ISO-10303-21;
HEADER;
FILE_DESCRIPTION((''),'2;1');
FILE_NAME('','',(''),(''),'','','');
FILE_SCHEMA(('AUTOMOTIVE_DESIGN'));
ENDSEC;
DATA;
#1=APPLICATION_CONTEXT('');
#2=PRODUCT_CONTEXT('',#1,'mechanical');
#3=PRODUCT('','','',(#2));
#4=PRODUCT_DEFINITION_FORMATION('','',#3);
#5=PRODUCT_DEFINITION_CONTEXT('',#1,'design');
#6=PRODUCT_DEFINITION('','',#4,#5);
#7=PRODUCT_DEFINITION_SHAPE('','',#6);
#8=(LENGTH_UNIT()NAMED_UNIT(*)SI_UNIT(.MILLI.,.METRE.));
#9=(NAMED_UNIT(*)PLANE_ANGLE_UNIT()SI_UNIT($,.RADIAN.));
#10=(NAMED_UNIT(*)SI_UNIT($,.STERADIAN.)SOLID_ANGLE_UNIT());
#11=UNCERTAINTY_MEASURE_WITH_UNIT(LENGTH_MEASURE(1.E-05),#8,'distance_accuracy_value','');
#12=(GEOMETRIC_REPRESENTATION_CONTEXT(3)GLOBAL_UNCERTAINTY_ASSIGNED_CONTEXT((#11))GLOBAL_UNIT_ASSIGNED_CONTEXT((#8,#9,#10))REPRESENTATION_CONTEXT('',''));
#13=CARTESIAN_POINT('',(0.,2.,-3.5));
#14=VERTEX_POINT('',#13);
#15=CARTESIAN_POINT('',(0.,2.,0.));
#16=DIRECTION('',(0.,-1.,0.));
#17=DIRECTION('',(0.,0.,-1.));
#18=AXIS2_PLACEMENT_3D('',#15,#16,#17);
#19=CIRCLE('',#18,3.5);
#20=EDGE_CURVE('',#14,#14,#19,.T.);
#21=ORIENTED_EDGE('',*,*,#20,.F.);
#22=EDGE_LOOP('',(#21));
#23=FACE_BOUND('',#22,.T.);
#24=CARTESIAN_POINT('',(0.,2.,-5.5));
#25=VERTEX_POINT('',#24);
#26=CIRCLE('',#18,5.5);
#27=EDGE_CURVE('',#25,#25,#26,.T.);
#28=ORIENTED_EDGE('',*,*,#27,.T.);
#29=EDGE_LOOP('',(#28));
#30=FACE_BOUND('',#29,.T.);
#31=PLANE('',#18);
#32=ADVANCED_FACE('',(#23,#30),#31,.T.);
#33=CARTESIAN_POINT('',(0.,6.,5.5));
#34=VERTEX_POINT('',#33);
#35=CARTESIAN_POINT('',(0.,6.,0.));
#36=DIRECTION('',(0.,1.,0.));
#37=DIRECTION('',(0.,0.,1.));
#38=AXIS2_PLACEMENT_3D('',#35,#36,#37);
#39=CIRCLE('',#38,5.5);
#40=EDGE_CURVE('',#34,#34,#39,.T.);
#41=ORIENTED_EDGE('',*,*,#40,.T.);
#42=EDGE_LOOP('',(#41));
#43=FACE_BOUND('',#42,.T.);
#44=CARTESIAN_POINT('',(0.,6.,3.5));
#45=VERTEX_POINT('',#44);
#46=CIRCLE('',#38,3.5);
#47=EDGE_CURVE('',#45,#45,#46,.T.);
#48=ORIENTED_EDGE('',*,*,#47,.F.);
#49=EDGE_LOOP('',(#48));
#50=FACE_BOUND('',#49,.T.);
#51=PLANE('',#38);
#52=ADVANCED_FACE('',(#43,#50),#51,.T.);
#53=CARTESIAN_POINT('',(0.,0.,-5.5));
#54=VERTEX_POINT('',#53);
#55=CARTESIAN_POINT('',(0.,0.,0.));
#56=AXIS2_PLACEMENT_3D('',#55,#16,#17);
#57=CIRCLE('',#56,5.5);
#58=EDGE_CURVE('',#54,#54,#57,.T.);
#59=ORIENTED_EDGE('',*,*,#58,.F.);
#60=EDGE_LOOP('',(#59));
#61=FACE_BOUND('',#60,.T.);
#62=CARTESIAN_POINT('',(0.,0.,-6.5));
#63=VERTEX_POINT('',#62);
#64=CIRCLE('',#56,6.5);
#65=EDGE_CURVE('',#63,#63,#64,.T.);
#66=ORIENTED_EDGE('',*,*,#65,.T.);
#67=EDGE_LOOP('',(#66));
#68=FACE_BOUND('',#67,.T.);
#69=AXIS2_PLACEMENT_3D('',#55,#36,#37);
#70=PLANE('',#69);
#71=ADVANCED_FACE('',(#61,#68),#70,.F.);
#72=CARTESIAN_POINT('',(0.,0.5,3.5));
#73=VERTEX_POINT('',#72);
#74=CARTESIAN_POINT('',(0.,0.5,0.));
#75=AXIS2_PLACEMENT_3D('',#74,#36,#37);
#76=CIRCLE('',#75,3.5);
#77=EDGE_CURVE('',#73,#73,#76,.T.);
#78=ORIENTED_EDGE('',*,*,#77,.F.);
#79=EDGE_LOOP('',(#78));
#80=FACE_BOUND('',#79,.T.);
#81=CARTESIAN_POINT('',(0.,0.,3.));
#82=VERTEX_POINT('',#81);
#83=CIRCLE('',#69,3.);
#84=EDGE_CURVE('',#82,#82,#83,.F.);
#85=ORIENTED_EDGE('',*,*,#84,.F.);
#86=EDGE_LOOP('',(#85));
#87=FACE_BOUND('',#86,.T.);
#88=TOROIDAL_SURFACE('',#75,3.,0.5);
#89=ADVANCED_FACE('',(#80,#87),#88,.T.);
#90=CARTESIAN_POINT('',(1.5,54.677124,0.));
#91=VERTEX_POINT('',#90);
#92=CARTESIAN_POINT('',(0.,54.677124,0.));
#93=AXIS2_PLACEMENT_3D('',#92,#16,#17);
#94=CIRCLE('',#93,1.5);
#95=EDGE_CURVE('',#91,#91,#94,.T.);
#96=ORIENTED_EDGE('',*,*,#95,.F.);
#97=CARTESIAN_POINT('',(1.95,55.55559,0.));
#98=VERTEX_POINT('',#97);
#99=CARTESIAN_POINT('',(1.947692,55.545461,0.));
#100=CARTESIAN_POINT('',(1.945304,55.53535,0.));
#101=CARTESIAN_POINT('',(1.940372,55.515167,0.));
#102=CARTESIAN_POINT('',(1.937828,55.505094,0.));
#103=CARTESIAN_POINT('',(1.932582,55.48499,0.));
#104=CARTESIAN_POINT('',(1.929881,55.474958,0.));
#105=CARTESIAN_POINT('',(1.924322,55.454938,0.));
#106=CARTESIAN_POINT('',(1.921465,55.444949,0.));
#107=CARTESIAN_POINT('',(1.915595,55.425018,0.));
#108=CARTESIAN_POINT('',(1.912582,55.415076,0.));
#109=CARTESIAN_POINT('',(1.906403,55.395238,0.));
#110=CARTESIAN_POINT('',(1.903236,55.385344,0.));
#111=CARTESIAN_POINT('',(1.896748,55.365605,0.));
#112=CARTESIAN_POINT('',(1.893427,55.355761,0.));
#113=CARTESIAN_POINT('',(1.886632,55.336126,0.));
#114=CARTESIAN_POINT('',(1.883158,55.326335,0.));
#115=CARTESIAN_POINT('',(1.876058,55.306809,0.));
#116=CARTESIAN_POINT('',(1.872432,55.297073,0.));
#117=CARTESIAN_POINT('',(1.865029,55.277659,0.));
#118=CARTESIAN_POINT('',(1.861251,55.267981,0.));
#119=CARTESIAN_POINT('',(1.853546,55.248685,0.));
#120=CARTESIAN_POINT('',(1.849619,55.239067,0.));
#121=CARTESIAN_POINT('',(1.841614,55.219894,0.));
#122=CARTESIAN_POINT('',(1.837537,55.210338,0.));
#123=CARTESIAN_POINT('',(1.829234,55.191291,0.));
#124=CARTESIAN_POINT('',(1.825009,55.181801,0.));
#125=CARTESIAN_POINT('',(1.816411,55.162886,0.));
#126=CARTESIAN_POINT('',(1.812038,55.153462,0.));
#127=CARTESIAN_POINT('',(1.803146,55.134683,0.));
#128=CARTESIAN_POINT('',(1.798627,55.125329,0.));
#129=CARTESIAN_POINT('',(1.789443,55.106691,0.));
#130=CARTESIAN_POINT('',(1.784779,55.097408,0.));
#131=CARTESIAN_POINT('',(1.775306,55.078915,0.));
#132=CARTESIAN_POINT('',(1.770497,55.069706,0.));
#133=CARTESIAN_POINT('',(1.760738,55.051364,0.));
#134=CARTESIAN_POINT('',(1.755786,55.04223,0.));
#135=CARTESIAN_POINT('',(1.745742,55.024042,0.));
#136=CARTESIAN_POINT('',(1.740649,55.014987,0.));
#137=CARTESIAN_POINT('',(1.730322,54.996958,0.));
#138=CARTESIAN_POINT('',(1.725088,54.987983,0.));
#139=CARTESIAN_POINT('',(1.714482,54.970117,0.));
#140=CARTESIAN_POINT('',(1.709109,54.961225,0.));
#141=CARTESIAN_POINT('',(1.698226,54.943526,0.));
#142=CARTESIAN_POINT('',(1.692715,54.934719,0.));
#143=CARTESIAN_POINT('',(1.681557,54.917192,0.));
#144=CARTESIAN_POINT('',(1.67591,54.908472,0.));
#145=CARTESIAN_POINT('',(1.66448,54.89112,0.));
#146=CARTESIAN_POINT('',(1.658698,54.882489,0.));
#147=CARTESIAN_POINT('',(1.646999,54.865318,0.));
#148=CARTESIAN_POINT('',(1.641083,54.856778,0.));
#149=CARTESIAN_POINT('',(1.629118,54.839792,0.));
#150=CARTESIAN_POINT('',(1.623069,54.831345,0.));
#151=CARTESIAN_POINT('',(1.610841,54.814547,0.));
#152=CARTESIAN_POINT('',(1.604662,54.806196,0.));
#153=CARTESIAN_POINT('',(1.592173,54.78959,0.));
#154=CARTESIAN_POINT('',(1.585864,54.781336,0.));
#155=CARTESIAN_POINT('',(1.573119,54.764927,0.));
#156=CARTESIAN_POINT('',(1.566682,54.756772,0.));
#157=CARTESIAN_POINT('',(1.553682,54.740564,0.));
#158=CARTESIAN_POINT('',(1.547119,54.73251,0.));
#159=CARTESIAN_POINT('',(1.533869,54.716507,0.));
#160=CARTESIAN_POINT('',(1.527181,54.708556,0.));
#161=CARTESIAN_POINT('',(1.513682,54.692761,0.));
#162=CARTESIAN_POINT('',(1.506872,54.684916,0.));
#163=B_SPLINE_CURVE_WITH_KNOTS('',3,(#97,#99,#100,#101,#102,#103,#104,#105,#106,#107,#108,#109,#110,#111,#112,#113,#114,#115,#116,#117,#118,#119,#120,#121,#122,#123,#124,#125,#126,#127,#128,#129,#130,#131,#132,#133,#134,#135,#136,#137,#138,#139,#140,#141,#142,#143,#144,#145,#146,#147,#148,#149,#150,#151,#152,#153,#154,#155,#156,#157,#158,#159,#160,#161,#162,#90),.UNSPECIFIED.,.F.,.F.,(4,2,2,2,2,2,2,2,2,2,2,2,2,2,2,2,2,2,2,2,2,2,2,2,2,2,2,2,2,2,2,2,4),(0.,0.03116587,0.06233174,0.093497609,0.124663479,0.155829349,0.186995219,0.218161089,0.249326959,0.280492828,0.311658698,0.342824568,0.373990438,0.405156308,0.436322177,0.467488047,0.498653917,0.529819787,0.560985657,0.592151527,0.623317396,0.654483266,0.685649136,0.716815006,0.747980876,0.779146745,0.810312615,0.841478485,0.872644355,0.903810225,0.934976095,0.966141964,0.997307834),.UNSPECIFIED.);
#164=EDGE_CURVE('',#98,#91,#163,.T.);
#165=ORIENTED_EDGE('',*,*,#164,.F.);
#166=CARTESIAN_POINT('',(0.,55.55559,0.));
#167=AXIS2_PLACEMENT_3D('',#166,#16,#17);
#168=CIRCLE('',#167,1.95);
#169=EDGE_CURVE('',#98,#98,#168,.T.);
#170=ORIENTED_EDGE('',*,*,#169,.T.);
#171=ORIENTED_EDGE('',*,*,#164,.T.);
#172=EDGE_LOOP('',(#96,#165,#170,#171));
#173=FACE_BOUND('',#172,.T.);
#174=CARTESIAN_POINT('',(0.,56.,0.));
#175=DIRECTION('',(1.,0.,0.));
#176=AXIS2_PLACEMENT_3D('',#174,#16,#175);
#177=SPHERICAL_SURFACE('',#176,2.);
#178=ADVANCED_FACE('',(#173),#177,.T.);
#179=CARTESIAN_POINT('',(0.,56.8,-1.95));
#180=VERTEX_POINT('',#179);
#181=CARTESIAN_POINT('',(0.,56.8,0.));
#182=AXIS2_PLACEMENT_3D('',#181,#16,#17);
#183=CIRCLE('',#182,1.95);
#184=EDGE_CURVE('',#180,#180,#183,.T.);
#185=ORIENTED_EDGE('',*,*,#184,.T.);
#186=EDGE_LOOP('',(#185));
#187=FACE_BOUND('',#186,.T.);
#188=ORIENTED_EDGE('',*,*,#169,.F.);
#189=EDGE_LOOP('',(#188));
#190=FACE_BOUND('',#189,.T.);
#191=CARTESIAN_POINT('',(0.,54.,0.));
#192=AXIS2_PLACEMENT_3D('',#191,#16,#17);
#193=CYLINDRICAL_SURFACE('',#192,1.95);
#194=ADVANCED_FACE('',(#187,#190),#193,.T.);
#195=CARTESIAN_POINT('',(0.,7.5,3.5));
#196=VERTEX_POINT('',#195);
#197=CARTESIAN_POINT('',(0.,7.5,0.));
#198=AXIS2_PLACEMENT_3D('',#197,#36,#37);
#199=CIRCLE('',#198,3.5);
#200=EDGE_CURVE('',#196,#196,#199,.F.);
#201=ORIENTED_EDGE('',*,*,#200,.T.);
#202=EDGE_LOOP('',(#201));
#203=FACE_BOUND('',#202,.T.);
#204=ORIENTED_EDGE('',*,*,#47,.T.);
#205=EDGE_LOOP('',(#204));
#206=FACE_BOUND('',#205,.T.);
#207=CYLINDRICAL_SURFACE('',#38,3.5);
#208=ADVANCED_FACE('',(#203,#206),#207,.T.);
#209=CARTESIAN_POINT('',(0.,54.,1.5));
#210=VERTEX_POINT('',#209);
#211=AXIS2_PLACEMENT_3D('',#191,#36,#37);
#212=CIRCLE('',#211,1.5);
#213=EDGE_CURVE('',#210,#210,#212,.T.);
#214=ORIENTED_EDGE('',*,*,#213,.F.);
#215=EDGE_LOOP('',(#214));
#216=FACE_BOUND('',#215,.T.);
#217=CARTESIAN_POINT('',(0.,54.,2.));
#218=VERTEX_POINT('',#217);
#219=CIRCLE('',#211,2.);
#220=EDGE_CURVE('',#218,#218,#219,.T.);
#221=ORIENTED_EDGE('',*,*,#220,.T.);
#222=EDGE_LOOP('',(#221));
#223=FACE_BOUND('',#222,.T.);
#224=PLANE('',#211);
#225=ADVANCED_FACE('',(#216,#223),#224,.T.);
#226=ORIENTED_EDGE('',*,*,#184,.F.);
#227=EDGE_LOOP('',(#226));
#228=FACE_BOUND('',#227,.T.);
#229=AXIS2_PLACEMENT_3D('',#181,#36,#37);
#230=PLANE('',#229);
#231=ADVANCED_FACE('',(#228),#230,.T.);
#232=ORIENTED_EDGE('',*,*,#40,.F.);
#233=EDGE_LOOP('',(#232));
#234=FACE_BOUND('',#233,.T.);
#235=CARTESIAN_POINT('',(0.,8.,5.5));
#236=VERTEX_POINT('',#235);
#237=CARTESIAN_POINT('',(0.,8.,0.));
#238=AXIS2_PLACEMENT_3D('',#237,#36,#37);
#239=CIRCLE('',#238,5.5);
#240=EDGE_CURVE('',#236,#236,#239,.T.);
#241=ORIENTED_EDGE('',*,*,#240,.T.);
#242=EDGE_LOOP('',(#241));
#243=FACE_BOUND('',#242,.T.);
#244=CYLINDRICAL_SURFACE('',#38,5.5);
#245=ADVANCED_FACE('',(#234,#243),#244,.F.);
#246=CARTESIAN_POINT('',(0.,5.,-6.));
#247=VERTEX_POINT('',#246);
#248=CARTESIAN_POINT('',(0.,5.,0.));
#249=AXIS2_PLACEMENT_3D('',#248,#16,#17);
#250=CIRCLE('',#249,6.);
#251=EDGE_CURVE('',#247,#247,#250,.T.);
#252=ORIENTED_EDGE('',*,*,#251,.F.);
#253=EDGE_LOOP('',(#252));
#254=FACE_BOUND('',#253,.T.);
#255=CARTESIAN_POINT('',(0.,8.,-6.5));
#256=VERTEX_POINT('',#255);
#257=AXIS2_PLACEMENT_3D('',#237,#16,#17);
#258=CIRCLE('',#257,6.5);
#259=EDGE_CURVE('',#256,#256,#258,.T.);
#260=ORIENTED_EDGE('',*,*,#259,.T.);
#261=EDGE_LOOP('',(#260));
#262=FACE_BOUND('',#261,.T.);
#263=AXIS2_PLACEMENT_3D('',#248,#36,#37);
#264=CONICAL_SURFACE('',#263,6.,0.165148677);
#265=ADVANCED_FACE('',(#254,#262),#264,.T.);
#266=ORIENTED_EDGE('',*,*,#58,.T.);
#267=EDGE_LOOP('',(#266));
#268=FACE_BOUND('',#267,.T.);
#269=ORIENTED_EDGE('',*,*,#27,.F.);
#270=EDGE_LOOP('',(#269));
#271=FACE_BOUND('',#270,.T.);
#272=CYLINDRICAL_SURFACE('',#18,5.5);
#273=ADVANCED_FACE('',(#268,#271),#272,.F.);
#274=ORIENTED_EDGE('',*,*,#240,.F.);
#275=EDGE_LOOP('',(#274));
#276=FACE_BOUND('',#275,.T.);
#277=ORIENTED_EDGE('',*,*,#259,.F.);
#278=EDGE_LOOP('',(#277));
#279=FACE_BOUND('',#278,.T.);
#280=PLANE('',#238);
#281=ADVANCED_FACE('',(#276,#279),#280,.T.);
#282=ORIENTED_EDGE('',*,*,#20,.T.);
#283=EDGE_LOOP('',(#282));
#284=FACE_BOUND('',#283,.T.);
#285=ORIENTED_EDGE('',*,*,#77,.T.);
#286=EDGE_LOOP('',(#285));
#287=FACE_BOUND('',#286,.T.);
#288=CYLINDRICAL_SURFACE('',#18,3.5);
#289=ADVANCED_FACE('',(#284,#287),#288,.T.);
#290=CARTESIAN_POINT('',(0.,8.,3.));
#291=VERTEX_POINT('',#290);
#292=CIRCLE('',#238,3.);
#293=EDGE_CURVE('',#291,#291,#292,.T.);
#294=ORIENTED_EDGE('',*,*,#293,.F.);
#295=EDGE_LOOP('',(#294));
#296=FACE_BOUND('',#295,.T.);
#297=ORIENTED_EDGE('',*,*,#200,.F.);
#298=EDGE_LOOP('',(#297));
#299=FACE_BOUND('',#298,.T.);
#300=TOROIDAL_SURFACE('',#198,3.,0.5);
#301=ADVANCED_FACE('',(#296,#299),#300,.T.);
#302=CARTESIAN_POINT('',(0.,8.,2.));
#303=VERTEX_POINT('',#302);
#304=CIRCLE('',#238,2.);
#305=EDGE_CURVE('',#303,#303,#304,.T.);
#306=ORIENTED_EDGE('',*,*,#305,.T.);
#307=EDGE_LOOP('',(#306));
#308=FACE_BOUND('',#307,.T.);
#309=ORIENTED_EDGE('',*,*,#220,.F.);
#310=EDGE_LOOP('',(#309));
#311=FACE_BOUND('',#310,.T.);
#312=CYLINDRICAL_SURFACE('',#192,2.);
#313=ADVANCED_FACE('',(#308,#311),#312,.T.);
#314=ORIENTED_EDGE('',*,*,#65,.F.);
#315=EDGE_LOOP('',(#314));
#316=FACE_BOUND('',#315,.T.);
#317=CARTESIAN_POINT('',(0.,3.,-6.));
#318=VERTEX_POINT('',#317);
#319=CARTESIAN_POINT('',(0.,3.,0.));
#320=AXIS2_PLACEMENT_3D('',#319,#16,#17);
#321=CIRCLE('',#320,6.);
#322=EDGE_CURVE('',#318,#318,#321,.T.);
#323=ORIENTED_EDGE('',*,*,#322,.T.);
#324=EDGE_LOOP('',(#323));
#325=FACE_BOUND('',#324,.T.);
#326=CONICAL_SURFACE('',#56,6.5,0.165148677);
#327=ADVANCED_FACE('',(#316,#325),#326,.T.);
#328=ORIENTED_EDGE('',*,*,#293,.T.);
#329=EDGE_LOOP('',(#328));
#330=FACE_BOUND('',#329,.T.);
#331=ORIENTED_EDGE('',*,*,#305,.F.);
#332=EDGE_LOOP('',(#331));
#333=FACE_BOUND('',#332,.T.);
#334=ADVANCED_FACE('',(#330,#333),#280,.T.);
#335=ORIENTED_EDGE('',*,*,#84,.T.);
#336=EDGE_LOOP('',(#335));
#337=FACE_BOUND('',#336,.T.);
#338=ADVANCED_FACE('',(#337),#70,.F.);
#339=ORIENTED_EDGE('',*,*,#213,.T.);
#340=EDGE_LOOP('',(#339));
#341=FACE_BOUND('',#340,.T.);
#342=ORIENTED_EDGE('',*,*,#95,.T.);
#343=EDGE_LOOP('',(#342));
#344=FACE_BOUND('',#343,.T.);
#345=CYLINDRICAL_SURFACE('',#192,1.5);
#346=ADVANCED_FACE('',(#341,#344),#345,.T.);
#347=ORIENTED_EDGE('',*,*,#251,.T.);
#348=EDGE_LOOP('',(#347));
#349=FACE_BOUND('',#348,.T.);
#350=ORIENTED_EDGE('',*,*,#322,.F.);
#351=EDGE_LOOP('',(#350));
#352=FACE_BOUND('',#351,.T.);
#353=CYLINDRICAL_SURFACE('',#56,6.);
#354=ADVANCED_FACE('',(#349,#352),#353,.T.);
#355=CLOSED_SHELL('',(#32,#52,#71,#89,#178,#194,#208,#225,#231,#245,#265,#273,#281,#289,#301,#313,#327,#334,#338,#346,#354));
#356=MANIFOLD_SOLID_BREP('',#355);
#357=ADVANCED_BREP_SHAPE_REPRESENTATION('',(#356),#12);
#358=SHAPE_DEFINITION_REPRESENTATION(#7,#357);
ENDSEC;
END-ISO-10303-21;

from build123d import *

# Parameters (mm, degrees)
SKETCH_1_R          = 6.5
EXTRUDE_1_DEPTH     = 8
SKETCH_2_R          = 2
EXTRUDE_2_DEPTH     = 46
SKETCH_6_R          = 5.5
SKETCH_6_R_2        = 3.5
CUT_EXTRUDE_1_DEPTH = 2
CUT_EXTRUDE_START   = -2
SKETCH_7_R          = 5.5
SKETCH_7_R_2        = 3.5
CUT_EXTRUDE_2_DEPTH = 2
FILLET_2_R          = 0.5


with BuildPart() as part:
    # 草图1 → 凸台-拉伸1 (new body)
    with BuildSketch(Plane(origin=(0, 0, 0), x_dir=(1, 0, 0), z_dir=(0, 1, 0))):
        with Locations(Location((0, 0, 0), (0, 0, 270))):
            Circle(SKETCH_1_R)
    extrude(amount=EXTRUDE_1_DEPTH)

    # 草图2 → 凸台-拉伸2 (add)
    with BuildSketch(Plane(origin=(0, 8, 0), x_dir=(1, 0, 0), z_dir=(0, 1, 0))):
        with Locations(Location((0, 0, 0), (0, 0, 270))):
            Circle(SKETCH_2_R)
    extrude(amount=EXTRUDE_2_DEPTH)

    # 草图4 → 旋转1 (revolve)
    with BuildSketch(Plane.XY):
        with BuildLine():
            Line((0, 54), (0, 56))
            Line((0, 56), (0, 56.8))
            Line((0, 56.8), (1.95, 56.8))
            Line((1.95, 56.8), (1.95, 55.555590279))
            ThreePointArc((1.95, 55.555590279), (1.780042303, 55.088161527), (1.5, 54.677124344))
            Line((1.5, 54.677124344), (1.5, 54))
            Line((1.5, 54), (0, 54))
        make_face()
    revolve(axis=Axis((0, 54, 0), (0, 1, 0)))

    # 草图5 → 切除-旋转1 (revolve, cut)
    with BuildSketch(Plane.XY, mode=Mode.PRIVATE) as cut_revolve_1_sk:
        Polygon((-6.5, 8), (-6.5, 5), (-6.5, 3), (-6.5, 0), (-6, 3), (-6, 5), align=None)
    revolve(cut_revolve_1_sk.sketch.rotate(Axis((0, 0, 0), (0, 1, 0)), 270), axis=Axis((0, 0, 0), (0, 1, 0)), mode=Mode.SUBTRACT)

    # 草图6 → 切除-拉伸1 (cut)
    with BuildSketch(Plane.XZ):
        with Locations(Location((0, 0, 0), (0, 0, 270))):
            Circle(SKETCH_6_R)
        with Locations(Location((0, 0, 0), (0, 0, 270))):
            Circle(SKETCH_6_R_2, mode=Mode.SUBTRACT)
    extrude(amount=-CUT_EXTRUDE_1_DEPTH, mode=Mode.SUBTRACT)

    # 草图7 → 切除-拉伸2 (cut)
    with BuildSketch(Plane(origin=(0, 8, 0), x_dir=(1, 0, 0), z_dir=(0, 1, 0)).offset(CUT_EXTRUDE_START)):
        with Locations(Location((0, 0, 0), (0, 0, 90))):
            Circle(SKETCH_7_R)
        with Locations(Location((0, 0, 0), (0, 0, 90))):
            Circle(SKETCH_7_R_2, mode=Mode.SUBTRACT)
    extrude(amount=CUT_EXTRUDE_2_DEPTH, mode=Mode.SUBTRACT)

    # 圆角2
    fillet_2_edges = [part.edges().sort_by_distance(p)[0] for p in [
        (0, 0, 3.5),
        (0, 8, 3.5),
    ]]
    fillet(fillet_2_edges, radius=FILLET_2_R)


solid = part.part
